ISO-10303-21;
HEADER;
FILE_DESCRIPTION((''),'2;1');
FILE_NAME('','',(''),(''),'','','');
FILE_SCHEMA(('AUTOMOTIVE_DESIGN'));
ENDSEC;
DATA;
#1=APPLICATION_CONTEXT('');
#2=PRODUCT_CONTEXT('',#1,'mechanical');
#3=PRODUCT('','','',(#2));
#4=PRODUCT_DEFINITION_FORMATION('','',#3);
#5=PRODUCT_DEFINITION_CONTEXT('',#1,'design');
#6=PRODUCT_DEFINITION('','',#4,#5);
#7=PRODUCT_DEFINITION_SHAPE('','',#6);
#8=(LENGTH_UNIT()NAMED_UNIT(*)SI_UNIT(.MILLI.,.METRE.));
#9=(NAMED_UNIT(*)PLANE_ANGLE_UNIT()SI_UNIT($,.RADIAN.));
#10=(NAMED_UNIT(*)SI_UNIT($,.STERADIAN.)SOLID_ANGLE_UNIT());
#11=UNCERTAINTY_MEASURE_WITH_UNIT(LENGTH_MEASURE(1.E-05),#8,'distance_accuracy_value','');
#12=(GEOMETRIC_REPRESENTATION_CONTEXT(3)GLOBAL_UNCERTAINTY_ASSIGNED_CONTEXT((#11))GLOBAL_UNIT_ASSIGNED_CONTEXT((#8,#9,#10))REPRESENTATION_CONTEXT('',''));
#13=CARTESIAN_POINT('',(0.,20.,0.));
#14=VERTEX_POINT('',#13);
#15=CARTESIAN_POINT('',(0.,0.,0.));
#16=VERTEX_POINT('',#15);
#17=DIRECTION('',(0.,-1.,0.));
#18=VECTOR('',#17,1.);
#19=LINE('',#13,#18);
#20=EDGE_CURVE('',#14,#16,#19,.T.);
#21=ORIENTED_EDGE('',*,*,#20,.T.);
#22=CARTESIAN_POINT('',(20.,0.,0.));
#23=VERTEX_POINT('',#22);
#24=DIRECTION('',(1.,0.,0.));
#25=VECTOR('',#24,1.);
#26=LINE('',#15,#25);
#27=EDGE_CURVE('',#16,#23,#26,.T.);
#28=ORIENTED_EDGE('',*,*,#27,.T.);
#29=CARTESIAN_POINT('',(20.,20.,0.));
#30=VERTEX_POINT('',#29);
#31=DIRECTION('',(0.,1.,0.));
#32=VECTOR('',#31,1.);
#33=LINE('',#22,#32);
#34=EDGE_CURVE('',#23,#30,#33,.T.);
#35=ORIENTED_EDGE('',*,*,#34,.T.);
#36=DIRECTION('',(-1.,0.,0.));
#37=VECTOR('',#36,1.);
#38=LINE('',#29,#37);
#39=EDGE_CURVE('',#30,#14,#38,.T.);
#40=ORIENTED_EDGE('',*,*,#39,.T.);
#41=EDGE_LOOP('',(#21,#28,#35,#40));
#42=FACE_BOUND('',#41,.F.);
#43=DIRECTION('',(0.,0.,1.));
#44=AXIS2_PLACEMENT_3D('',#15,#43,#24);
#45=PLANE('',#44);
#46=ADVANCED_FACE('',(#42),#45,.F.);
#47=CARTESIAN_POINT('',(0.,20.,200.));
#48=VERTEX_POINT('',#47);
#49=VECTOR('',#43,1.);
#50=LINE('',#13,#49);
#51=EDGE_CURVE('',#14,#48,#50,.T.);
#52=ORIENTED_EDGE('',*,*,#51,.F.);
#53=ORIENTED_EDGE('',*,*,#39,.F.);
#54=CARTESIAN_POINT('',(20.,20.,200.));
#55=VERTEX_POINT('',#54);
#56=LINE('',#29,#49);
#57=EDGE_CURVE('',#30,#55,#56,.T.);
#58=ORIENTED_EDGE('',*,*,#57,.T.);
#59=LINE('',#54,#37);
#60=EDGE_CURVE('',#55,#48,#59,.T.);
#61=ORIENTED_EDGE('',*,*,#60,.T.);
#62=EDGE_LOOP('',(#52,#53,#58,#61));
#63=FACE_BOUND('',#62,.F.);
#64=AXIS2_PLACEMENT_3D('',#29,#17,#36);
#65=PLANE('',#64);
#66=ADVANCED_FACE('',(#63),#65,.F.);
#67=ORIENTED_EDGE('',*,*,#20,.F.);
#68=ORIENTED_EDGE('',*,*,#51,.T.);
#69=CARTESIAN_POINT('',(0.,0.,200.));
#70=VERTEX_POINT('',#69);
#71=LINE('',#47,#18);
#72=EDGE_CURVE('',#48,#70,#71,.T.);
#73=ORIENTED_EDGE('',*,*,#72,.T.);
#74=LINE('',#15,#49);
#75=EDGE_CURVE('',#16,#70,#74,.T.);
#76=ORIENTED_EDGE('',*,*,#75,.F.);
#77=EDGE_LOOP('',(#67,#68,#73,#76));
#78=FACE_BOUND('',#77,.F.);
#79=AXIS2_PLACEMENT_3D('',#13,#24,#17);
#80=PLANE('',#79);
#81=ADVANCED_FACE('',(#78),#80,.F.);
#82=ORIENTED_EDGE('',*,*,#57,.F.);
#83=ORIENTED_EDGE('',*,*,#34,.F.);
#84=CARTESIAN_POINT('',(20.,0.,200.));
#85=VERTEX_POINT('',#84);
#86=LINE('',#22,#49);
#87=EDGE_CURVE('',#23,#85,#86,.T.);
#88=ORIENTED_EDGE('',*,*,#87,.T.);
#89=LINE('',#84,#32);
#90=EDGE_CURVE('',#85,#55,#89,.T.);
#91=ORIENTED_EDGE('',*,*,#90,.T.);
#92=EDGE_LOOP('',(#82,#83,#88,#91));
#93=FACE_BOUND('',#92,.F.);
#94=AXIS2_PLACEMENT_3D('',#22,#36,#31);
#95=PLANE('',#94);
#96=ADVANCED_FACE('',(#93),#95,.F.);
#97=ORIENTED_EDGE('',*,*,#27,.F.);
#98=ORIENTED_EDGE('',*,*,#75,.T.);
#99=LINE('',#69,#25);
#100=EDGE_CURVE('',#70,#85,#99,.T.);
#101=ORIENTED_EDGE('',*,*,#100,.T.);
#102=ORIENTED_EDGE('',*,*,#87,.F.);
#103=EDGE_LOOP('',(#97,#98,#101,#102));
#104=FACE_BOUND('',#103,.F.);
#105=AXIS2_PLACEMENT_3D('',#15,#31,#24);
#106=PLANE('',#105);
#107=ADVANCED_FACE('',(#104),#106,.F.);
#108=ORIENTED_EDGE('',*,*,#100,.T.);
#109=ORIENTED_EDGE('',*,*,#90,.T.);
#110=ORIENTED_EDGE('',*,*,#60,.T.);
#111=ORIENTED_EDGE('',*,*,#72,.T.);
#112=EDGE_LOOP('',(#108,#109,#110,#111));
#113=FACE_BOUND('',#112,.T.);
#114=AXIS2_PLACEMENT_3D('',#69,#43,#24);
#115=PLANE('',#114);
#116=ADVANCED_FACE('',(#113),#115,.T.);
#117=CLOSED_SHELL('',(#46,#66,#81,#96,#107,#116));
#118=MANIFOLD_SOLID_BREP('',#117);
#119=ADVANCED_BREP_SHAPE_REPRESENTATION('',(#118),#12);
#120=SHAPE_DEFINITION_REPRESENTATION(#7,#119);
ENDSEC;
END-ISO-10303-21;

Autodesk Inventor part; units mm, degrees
ref_plane "YZ Plane" through (0, 0, 0) normal (1, 0, 0) x (0, 1, 0)
ref_plane "XZ Plane" through (0, 0, 0) normal (0, 1, 0) x (-1, 0, 0)
ref_plane "XY Plane" through (0, 0, 0) normal (0, 0, 1) x (1, 0, 0)
sketch "Sketch1" plane through (0, 0, 0) normal (0, 0, 1) x (1, 0, 0)
  line L0 (0, 0) -> (20, 0)
  line L1 (20, 0) -> (20, 20)
  line L2 (20, 20) -> (0, 20)
  line L3 (0, 20) -> (0, 0)
  dimension "d0" = 20
  dimension "d1" = 20
extrude "Extrusion1" add sketch "Sketch1" along normal blind 200
properties part number "y 2 electric booboloo"
